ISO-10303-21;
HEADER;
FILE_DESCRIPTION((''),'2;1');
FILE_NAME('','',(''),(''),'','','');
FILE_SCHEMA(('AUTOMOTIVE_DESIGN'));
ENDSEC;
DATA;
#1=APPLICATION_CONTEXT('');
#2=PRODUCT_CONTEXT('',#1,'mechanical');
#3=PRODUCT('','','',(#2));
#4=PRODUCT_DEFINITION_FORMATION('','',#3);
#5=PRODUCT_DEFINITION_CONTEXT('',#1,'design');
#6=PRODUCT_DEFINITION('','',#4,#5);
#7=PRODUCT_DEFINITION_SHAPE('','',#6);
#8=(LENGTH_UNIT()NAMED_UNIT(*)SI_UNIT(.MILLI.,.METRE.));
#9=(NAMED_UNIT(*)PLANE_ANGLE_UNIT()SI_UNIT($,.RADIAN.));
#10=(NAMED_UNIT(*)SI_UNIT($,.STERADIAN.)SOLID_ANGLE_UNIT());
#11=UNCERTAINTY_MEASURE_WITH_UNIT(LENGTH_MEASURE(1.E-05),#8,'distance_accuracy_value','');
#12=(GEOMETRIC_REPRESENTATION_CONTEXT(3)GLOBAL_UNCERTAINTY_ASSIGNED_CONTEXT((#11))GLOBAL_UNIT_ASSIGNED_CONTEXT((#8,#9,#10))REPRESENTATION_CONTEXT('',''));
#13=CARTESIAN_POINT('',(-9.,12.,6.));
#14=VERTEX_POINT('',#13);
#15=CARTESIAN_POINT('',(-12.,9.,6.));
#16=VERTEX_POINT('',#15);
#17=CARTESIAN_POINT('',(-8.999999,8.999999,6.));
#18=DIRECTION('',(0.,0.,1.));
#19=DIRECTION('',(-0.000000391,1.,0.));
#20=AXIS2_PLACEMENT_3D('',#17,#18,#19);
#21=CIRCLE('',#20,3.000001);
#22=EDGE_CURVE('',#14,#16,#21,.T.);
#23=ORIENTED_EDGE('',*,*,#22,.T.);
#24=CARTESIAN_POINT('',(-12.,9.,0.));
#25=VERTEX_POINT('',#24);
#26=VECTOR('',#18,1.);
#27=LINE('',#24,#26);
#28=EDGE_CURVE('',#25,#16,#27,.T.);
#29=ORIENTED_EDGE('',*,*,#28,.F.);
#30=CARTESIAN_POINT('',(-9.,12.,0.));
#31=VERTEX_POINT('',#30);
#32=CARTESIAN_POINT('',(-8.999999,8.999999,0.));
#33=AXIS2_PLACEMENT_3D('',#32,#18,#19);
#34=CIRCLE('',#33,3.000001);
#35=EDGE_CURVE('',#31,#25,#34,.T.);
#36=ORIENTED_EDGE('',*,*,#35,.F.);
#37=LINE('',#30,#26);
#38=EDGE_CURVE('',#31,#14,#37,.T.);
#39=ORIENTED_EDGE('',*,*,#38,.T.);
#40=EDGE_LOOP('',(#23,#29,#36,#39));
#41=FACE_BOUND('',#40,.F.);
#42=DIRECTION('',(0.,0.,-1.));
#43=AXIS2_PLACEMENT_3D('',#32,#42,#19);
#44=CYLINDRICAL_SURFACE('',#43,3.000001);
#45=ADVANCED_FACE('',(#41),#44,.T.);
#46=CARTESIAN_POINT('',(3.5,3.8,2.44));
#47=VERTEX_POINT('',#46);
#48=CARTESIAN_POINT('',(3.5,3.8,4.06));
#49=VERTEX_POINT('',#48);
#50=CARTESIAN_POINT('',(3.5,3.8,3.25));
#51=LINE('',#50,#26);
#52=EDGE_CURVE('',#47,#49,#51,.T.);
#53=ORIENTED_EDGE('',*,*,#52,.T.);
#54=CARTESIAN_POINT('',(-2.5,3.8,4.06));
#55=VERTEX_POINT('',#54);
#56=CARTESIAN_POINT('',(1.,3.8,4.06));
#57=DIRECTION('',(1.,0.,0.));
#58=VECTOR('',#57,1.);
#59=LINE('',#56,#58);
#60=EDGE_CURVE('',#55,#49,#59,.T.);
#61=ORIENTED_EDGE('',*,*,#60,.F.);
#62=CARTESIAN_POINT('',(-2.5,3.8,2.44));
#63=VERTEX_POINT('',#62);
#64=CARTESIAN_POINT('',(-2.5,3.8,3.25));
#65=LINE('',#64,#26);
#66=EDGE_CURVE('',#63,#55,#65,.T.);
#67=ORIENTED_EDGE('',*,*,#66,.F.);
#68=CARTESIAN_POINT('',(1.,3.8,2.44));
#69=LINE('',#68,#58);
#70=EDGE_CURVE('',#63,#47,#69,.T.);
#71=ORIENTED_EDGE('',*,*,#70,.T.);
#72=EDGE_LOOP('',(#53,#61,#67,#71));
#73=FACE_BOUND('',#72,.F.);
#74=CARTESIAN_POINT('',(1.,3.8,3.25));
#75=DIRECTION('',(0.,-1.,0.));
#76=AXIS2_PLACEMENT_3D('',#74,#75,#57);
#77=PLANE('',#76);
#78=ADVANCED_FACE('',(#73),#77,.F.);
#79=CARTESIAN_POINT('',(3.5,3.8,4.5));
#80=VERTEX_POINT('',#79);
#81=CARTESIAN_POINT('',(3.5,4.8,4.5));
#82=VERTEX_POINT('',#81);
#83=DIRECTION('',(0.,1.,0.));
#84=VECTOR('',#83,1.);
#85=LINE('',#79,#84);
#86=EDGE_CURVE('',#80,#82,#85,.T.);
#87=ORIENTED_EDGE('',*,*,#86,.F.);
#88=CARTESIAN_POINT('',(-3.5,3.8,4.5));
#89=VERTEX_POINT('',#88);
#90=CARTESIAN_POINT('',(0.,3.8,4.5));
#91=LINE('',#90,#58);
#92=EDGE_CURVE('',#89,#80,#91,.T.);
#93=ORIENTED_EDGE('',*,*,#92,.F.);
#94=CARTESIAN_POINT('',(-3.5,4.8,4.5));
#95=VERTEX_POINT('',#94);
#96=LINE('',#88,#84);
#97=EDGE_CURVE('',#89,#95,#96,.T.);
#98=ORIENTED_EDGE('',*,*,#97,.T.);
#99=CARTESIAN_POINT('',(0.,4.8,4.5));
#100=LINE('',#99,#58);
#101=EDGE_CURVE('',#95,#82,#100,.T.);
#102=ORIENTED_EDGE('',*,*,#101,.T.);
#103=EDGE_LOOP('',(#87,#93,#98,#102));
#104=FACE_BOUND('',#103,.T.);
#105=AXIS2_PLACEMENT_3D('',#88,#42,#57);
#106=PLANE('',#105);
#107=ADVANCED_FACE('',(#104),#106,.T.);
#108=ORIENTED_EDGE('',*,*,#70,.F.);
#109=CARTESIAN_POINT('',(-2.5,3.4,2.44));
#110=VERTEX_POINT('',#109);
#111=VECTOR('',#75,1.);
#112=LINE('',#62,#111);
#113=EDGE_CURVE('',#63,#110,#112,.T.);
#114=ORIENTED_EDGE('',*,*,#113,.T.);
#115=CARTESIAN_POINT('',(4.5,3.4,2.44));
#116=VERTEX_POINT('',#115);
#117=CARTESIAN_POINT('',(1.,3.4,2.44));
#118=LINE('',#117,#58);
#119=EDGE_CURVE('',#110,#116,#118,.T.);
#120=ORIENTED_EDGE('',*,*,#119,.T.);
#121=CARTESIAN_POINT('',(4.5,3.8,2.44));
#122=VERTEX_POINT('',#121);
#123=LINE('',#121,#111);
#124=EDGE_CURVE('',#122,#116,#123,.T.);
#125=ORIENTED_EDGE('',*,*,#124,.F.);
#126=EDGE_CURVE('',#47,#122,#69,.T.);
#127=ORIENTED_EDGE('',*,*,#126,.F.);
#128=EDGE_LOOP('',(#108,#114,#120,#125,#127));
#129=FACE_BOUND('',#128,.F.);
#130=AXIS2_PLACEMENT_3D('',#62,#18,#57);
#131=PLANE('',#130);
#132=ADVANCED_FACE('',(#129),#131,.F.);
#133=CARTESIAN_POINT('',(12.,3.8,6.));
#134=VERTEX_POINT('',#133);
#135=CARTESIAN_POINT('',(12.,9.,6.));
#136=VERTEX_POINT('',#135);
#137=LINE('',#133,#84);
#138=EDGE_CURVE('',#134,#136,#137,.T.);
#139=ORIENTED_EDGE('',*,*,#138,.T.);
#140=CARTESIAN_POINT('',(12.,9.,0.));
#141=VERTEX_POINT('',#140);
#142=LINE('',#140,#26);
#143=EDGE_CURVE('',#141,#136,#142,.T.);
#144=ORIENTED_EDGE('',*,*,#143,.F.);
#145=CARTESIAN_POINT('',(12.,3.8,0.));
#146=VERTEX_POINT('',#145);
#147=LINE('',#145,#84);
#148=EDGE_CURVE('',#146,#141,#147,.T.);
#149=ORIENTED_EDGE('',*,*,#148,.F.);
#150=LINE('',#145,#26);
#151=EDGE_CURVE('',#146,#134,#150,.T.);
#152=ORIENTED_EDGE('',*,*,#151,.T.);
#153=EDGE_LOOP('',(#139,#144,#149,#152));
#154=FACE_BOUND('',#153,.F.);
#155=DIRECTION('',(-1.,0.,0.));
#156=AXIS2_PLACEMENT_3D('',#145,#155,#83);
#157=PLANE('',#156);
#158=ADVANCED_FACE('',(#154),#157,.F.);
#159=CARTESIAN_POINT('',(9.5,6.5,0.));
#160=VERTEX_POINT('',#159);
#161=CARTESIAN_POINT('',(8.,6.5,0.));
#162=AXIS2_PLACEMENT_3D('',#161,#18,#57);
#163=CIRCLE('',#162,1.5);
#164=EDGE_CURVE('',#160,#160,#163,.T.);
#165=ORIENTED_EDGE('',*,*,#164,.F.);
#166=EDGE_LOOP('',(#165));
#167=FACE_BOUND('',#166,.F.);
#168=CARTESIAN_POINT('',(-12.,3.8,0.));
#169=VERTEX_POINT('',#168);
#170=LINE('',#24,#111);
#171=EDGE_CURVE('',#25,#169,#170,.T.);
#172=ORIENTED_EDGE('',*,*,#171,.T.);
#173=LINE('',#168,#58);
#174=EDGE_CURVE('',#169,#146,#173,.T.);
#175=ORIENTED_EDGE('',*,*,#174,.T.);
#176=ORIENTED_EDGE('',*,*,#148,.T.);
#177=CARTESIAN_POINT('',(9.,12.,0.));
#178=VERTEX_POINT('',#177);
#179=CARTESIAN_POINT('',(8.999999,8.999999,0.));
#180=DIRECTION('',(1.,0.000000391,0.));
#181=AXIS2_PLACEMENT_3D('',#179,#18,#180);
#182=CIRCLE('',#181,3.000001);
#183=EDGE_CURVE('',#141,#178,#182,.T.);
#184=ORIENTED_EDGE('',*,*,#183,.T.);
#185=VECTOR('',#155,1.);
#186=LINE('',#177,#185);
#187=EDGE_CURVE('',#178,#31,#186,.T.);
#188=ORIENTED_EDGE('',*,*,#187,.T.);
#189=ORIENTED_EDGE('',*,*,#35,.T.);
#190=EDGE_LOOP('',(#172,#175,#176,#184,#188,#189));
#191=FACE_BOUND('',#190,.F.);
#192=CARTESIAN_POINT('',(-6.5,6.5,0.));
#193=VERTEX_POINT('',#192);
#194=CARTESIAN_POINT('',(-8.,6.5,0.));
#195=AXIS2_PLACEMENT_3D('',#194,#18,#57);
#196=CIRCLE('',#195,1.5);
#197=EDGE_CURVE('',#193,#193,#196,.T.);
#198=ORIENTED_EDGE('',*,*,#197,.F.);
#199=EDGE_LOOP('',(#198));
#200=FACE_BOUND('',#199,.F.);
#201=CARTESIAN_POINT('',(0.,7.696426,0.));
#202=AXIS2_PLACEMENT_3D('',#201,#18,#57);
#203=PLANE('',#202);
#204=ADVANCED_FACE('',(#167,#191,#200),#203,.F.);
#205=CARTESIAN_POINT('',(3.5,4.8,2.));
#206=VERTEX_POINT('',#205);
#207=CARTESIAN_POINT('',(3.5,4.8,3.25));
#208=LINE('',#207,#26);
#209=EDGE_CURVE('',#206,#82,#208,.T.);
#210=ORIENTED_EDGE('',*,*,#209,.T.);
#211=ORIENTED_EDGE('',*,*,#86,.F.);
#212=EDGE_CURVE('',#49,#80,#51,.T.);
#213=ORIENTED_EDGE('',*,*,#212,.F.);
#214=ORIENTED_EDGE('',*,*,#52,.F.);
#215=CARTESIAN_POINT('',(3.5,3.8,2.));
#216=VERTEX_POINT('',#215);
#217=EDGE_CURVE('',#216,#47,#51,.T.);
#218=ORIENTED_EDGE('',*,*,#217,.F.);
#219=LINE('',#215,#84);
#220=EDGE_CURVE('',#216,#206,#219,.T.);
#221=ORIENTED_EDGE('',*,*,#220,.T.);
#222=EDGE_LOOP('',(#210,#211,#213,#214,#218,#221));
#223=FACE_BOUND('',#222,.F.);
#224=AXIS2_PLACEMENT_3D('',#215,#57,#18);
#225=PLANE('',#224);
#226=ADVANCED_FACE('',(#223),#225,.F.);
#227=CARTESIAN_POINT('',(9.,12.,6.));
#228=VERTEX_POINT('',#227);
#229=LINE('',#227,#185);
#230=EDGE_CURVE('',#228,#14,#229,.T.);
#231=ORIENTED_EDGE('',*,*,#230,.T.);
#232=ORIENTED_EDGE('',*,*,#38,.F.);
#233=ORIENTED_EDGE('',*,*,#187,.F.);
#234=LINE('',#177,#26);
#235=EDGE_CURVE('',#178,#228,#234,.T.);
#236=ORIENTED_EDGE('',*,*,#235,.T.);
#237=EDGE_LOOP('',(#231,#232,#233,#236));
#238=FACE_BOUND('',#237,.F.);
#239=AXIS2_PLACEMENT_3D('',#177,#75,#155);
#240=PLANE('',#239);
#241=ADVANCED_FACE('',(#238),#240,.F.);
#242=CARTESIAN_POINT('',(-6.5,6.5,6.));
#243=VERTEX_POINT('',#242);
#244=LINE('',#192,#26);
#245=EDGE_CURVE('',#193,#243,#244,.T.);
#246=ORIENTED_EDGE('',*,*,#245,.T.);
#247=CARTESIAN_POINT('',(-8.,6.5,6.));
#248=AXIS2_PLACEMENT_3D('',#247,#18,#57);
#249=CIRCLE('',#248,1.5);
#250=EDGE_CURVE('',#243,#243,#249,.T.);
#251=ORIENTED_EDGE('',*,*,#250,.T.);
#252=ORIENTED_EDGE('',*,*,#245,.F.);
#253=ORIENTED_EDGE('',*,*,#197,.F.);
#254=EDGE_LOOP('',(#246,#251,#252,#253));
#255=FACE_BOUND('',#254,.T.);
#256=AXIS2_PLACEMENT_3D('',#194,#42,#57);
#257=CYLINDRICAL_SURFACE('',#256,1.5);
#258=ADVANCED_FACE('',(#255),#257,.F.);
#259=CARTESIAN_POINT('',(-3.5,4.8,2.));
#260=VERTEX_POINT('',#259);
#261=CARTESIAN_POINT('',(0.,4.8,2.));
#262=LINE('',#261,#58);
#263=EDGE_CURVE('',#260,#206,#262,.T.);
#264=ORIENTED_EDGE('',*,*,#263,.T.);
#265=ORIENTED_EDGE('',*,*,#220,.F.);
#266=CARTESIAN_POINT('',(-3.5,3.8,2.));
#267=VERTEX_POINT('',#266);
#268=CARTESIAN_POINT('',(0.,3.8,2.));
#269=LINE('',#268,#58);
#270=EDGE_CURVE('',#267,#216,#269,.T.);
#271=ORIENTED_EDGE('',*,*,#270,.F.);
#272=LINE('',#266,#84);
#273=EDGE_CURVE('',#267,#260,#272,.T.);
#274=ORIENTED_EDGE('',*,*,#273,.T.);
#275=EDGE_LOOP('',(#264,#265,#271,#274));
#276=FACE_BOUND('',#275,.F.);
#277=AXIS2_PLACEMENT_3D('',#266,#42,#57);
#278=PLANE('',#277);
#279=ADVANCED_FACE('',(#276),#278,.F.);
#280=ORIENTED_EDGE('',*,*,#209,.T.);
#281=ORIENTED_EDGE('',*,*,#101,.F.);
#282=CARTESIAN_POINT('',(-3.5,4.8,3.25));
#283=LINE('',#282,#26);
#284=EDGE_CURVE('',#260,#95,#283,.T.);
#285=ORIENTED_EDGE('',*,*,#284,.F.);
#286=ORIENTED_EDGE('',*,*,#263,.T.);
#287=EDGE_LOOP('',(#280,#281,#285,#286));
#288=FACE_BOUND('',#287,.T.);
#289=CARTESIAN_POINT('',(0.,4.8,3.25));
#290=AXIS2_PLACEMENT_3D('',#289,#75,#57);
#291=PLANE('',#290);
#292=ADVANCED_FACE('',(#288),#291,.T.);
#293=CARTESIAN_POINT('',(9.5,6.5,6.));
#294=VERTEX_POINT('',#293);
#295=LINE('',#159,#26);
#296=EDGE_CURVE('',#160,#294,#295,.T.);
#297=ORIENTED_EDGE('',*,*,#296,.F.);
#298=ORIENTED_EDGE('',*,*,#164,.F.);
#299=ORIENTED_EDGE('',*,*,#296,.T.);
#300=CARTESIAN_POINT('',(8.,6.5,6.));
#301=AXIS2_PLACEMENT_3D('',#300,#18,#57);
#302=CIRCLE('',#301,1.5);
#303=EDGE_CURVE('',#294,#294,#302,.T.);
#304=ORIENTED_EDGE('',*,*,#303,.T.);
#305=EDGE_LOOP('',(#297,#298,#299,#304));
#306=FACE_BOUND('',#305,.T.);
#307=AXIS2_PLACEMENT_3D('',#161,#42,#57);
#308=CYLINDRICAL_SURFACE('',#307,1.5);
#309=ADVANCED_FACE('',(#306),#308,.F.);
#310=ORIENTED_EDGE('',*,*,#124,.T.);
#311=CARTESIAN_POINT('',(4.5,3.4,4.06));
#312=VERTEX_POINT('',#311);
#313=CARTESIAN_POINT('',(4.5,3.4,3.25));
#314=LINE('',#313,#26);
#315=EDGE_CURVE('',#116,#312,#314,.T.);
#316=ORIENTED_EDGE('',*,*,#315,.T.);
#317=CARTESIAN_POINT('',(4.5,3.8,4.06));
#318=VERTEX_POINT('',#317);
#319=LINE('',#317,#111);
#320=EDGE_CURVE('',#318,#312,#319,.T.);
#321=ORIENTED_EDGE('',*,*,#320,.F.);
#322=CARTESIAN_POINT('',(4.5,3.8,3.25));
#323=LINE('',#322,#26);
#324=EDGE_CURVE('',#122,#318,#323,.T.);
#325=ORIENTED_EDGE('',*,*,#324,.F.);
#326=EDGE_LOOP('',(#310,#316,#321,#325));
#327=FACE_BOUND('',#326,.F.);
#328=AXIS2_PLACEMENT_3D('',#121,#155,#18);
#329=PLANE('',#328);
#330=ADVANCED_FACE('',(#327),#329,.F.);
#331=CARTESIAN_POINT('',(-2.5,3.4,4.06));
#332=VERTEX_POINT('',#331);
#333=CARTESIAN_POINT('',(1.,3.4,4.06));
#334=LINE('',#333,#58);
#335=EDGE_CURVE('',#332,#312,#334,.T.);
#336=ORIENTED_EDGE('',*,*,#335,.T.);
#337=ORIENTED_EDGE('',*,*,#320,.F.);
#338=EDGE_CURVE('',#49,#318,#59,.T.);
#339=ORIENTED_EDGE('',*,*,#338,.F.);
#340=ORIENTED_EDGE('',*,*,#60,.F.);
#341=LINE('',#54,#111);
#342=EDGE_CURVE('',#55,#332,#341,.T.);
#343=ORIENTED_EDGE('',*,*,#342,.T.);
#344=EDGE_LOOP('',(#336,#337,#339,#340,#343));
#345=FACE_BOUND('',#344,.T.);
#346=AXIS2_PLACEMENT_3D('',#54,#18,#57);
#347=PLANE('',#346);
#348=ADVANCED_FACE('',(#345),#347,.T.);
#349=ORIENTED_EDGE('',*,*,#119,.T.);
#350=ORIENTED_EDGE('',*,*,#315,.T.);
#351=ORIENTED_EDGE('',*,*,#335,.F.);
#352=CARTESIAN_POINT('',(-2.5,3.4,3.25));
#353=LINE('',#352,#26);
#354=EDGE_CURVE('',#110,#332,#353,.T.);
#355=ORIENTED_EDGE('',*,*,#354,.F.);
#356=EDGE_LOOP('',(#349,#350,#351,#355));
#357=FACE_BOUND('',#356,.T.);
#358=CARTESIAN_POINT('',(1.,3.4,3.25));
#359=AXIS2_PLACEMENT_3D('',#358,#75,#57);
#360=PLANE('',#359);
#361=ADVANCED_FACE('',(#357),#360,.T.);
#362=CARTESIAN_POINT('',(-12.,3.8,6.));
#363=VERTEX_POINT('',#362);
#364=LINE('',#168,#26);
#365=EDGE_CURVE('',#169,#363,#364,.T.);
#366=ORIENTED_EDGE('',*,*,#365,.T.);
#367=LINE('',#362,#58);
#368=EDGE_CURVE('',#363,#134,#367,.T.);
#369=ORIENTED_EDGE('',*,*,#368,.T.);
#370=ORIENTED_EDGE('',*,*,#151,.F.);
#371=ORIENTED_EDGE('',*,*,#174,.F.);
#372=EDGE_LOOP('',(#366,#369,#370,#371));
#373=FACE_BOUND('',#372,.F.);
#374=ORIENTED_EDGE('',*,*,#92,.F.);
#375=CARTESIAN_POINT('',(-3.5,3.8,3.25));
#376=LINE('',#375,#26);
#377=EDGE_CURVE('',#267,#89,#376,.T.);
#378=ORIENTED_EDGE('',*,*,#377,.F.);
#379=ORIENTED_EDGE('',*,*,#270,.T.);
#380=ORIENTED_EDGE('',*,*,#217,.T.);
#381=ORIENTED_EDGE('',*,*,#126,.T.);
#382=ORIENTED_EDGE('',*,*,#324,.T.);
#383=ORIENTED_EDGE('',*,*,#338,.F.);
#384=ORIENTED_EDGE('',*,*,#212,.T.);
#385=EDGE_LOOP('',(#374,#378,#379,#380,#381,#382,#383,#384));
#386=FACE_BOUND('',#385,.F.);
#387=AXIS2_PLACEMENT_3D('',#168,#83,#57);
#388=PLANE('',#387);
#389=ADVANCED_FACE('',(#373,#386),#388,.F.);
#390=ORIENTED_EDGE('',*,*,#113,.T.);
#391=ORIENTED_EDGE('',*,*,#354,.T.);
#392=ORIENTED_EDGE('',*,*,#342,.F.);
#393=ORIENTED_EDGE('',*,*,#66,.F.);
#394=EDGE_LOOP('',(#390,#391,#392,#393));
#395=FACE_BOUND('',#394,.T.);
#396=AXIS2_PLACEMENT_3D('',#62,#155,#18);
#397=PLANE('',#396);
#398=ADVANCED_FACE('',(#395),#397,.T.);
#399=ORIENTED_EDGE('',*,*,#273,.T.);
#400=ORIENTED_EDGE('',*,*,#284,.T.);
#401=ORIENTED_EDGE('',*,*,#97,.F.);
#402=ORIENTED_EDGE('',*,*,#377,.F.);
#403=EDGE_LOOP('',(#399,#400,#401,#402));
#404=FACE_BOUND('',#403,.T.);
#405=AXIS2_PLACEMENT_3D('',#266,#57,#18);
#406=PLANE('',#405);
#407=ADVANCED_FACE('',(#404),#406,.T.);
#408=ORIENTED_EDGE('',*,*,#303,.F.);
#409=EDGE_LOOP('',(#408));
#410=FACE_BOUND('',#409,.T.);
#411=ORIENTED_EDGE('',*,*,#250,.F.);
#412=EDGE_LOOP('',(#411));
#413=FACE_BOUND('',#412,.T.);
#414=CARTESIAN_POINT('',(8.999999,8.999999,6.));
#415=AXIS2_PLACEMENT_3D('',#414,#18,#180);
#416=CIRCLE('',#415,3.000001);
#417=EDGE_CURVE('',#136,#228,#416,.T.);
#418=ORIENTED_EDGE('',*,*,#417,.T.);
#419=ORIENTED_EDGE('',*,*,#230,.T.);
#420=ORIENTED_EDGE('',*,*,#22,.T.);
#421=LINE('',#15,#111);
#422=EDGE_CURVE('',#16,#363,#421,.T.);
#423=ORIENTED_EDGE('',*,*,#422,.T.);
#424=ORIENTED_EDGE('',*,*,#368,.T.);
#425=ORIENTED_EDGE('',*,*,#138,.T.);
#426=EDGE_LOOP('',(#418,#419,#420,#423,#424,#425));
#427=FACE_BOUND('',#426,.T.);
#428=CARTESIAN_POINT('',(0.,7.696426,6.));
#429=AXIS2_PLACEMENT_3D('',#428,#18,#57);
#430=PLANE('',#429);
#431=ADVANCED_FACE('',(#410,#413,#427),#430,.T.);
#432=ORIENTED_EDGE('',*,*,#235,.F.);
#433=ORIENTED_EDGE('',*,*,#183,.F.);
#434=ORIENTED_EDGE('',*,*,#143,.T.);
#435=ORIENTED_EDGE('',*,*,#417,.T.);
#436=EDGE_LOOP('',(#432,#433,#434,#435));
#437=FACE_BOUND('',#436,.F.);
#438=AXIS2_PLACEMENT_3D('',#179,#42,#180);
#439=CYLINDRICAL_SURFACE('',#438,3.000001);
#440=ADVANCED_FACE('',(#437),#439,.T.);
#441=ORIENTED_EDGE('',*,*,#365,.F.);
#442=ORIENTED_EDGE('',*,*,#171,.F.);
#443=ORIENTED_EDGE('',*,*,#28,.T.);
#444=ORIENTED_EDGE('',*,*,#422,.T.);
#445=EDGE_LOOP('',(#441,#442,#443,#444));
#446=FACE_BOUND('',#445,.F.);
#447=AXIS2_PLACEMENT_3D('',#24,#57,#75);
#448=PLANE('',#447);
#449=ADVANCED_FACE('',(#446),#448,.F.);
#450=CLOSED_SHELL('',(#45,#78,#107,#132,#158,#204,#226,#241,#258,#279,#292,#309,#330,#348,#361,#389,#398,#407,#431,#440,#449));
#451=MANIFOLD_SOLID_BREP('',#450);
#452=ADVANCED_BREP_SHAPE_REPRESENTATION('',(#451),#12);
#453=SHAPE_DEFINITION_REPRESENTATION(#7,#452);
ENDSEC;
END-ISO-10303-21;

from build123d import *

# Parameters (mm, degrees)
SKETCH003_R     = 1.5
PAD002_DEPTH    = 6
SKETCH004_W     = 7
SKETCH004_H     = 2.5
POCKET001_DEPTH = 1
SKETCH005_W     = 7
SKETCH005_H     = 1.62
PAD003_DEPTH    = 0.4


with BuildPart() as part:
    # Sketch003 → Pad002 (new body)
    with BuildSketch(Plane.XY):
        with BuildLine():
            Line((-12, 3.8), (12, 3.8))
            Line((12, 3.8), (12, 9))
            ThreePointArc((12, 9), (11.12132, 11.12132), (9, 12))
            Line((9, 12), (-9, 12))
            ThreePointArc((-9, 12), (-11.12132, 11.12132), (-12, 9))
            Line((-12, 9), (-12, 3.8))
        make_face()
        with Locations((-8, 6.5)):
            Circle(SKETCH003_R, mode=Mode.SUBTRACT)
        with Locations((8, 6.5)):
            Circle(SKETCH003_R, mode=Mode.SUBTRACT)
    extrude(amount=PAD002_DEPTH)

    # Sketch004 (on Face1 of Pad002) → Pocket001 (cut)
    with BuildSketch(Plane.XZ.offset(-3.8)):
        with Locations((0, 3.25)):
            Rectangle(SKETCH004_W, SKETCH004_H)
    extrude(amount=-POCKET001_DEPTH, mode=Mode.SUBTRACT)

    # Sketch005 (on Face1 of Pocket001) → Pad003 (join)
    with BuildSketch(Plane.XZ.offset(-3.8)):
        with Locations((1, 3.25)):
            Rectangle(SKETCH005_W, SKETCH005_H)
    extrude(amount=PAD003_DEPTH)


solid = part.part
